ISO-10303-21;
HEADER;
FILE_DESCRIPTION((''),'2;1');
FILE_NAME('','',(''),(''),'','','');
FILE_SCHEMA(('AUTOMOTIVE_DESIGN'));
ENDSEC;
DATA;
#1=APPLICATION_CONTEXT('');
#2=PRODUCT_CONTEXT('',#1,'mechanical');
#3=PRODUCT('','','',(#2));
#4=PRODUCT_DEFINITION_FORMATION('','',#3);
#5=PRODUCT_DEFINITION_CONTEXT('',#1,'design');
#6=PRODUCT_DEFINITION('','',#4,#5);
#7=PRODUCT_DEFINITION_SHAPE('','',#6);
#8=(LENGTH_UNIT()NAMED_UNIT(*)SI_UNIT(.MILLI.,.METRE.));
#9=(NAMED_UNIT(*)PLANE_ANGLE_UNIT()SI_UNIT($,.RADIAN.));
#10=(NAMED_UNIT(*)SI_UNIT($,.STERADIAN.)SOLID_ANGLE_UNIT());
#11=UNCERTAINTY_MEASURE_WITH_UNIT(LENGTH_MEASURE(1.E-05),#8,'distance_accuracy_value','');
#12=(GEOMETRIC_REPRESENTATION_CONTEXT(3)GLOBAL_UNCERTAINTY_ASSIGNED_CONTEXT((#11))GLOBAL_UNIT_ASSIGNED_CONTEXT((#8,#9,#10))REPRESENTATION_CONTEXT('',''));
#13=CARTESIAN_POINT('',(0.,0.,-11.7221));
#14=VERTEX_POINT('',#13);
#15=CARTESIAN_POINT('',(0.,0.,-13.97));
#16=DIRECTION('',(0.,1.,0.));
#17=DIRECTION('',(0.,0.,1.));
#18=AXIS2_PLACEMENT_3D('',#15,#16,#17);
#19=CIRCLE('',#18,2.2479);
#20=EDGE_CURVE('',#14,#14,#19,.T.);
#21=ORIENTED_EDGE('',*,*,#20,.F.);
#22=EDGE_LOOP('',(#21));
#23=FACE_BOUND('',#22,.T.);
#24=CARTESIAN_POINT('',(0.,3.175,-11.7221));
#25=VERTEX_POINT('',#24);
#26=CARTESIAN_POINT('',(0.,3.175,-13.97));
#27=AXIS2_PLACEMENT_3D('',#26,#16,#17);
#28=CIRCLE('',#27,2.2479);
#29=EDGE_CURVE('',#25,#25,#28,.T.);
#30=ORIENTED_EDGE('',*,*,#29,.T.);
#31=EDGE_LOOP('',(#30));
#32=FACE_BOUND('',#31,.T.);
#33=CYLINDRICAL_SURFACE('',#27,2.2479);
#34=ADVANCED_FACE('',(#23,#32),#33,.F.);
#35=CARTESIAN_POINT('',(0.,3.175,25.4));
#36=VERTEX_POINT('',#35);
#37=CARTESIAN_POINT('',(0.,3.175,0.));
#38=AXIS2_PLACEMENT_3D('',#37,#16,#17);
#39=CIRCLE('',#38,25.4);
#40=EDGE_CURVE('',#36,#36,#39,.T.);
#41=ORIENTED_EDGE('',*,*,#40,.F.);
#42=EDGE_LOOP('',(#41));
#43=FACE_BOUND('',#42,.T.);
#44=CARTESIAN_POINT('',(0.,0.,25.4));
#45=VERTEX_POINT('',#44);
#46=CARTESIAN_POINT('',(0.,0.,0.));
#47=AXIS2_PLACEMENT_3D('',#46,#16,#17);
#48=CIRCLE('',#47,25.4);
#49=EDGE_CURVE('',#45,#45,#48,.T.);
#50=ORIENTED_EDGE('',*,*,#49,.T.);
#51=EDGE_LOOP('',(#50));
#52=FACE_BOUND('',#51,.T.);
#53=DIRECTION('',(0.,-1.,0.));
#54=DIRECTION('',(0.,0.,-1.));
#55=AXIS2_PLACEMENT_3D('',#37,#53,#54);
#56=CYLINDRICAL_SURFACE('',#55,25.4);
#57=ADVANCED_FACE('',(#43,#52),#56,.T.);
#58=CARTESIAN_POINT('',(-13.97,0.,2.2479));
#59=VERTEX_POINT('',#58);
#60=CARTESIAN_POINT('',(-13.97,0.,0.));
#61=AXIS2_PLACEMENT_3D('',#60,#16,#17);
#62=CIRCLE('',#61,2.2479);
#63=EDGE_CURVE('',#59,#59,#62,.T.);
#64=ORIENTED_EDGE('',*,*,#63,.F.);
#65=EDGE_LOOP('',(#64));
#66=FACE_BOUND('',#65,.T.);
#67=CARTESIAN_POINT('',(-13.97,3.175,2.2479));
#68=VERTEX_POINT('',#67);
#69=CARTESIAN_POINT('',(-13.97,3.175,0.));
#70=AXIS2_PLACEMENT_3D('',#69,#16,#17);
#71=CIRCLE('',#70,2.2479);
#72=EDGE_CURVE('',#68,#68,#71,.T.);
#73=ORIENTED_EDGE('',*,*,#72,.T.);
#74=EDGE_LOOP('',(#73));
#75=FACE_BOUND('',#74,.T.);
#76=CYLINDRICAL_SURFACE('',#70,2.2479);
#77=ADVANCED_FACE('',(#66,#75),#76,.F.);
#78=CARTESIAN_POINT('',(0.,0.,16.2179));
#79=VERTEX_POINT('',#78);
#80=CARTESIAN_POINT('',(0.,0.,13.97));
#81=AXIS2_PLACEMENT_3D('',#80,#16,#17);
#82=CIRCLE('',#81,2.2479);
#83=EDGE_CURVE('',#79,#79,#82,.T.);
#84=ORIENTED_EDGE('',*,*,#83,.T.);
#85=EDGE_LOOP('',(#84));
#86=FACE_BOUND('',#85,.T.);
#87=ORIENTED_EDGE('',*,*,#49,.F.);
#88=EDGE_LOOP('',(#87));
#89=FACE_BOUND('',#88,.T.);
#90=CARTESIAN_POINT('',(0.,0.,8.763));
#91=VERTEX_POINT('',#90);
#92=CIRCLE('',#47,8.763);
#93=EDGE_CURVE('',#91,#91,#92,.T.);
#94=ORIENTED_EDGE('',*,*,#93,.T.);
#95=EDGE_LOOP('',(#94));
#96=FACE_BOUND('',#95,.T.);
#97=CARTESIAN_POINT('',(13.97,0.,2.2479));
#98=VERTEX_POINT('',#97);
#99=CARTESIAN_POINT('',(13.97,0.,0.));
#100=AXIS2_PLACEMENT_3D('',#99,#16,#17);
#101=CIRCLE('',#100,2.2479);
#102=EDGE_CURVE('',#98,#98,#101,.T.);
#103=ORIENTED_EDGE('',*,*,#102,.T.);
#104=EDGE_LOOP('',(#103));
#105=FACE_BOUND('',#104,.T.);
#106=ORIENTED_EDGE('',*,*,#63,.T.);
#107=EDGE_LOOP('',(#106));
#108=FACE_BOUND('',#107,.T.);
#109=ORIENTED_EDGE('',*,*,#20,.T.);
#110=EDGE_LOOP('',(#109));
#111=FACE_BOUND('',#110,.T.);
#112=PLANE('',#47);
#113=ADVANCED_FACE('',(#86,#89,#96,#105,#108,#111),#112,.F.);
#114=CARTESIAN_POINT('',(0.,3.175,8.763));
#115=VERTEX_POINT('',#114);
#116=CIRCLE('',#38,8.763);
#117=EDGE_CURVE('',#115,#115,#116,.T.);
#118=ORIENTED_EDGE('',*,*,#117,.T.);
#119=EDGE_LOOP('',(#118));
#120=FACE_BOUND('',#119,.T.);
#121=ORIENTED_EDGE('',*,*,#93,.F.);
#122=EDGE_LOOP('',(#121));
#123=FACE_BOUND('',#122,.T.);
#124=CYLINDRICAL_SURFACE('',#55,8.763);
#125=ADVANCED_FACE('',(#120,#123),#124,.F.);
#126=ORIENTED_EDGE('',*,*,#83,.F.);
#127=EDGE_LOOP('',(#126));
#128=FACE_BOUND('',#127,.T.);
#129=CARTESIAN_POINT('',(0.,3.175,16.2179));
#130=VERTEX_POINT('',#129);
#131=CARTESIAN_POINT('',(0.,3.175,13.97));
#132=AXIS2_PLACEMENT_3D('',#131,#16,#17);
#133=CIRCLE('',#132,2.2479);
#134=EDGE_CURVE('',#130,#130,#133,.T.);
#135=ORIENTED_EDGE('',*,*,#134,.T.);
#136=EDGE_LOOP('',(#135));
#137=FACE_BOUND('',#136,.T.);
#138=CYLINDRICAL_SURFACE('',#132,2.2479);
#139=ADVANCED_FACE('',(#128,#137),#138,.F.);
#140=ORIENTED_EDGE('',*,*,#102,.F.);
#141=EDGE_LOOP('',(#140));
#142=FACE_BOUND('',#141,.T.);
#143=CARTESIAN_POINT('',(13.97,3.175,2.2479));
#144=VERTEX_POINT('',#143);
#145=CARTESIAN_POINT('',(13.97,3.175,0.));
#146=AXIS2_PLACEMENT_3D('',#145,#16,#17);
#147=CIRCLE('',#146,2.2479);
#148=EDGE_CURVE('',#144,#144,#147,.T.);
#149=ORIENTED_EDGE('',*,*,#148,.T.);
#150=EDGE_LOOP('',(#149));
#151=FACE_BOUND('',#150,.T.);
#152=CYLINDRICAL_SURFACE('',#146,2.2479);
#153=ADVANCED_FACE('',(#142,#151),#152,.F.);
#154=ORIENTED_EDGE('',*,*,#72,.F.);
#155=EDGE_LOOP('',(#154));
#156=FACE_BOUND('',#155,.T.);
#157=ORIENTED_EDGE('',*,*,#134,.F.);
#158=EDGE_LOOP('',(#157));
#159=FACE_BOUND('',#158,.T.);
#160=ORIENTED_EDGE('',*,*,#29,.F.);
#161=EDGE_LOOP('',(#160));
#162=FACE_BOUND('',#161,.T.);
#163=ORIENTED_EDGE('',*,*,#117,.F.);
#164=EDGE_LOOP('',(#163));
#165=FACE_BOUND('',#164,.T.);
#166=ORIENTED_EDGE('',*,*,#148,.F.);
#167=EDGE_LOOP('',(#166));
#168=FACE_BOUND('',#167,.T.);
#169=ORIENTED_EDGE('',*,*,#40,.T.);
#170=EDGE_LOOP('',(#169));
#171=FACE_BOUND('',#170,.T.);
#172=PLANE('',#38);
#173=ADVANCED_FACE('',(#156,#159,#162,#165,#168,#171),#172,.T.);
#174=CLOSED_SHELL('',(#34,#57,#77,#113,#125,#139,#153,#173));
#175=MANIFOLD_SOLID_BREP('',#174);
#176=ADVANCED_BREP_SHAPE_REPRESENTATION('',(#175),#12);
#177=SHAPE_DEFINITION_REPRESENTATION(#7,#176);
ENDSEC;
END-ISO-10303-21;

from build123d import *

# Parameters (mm, degrees)
SKETCH1_R             = 25.4
SKETCH1_R_2           = 8.763
BOSS_EXTRUDE1_DEPTH   = 3.175
F_8_CLEARANCE_HOLE1_D = 4.4958


with BuildPart() as part:
    # Sketch1 → Boss-Extrude1 (new body)
    with BuildSketch(Plane(origin=(0, 0, 0), x_dir=(1, 0, 0), z_dir=(0, 1, 0))):
        Circle(SKETCH1_R)
        Circle(SKETCH1_R_2, mode=Mode.SUBTRACT)
    extrude(amount=BOSS_EXTRUDE1_DEPTH)

    # #8 Clearance Hole1 (through all)
    with Locations(Plane(origin=(0, 3.175, 0), x_dir=(1, 0, 0), z_dir=(0, 1, 0))):
        with Locations((13.97, 0), (0, 13.97), (-13.97, 0), (0, -13.97)):
            Hole(F_8_CLEARANCE_HOLE1_D / 2)


solid = part.part
